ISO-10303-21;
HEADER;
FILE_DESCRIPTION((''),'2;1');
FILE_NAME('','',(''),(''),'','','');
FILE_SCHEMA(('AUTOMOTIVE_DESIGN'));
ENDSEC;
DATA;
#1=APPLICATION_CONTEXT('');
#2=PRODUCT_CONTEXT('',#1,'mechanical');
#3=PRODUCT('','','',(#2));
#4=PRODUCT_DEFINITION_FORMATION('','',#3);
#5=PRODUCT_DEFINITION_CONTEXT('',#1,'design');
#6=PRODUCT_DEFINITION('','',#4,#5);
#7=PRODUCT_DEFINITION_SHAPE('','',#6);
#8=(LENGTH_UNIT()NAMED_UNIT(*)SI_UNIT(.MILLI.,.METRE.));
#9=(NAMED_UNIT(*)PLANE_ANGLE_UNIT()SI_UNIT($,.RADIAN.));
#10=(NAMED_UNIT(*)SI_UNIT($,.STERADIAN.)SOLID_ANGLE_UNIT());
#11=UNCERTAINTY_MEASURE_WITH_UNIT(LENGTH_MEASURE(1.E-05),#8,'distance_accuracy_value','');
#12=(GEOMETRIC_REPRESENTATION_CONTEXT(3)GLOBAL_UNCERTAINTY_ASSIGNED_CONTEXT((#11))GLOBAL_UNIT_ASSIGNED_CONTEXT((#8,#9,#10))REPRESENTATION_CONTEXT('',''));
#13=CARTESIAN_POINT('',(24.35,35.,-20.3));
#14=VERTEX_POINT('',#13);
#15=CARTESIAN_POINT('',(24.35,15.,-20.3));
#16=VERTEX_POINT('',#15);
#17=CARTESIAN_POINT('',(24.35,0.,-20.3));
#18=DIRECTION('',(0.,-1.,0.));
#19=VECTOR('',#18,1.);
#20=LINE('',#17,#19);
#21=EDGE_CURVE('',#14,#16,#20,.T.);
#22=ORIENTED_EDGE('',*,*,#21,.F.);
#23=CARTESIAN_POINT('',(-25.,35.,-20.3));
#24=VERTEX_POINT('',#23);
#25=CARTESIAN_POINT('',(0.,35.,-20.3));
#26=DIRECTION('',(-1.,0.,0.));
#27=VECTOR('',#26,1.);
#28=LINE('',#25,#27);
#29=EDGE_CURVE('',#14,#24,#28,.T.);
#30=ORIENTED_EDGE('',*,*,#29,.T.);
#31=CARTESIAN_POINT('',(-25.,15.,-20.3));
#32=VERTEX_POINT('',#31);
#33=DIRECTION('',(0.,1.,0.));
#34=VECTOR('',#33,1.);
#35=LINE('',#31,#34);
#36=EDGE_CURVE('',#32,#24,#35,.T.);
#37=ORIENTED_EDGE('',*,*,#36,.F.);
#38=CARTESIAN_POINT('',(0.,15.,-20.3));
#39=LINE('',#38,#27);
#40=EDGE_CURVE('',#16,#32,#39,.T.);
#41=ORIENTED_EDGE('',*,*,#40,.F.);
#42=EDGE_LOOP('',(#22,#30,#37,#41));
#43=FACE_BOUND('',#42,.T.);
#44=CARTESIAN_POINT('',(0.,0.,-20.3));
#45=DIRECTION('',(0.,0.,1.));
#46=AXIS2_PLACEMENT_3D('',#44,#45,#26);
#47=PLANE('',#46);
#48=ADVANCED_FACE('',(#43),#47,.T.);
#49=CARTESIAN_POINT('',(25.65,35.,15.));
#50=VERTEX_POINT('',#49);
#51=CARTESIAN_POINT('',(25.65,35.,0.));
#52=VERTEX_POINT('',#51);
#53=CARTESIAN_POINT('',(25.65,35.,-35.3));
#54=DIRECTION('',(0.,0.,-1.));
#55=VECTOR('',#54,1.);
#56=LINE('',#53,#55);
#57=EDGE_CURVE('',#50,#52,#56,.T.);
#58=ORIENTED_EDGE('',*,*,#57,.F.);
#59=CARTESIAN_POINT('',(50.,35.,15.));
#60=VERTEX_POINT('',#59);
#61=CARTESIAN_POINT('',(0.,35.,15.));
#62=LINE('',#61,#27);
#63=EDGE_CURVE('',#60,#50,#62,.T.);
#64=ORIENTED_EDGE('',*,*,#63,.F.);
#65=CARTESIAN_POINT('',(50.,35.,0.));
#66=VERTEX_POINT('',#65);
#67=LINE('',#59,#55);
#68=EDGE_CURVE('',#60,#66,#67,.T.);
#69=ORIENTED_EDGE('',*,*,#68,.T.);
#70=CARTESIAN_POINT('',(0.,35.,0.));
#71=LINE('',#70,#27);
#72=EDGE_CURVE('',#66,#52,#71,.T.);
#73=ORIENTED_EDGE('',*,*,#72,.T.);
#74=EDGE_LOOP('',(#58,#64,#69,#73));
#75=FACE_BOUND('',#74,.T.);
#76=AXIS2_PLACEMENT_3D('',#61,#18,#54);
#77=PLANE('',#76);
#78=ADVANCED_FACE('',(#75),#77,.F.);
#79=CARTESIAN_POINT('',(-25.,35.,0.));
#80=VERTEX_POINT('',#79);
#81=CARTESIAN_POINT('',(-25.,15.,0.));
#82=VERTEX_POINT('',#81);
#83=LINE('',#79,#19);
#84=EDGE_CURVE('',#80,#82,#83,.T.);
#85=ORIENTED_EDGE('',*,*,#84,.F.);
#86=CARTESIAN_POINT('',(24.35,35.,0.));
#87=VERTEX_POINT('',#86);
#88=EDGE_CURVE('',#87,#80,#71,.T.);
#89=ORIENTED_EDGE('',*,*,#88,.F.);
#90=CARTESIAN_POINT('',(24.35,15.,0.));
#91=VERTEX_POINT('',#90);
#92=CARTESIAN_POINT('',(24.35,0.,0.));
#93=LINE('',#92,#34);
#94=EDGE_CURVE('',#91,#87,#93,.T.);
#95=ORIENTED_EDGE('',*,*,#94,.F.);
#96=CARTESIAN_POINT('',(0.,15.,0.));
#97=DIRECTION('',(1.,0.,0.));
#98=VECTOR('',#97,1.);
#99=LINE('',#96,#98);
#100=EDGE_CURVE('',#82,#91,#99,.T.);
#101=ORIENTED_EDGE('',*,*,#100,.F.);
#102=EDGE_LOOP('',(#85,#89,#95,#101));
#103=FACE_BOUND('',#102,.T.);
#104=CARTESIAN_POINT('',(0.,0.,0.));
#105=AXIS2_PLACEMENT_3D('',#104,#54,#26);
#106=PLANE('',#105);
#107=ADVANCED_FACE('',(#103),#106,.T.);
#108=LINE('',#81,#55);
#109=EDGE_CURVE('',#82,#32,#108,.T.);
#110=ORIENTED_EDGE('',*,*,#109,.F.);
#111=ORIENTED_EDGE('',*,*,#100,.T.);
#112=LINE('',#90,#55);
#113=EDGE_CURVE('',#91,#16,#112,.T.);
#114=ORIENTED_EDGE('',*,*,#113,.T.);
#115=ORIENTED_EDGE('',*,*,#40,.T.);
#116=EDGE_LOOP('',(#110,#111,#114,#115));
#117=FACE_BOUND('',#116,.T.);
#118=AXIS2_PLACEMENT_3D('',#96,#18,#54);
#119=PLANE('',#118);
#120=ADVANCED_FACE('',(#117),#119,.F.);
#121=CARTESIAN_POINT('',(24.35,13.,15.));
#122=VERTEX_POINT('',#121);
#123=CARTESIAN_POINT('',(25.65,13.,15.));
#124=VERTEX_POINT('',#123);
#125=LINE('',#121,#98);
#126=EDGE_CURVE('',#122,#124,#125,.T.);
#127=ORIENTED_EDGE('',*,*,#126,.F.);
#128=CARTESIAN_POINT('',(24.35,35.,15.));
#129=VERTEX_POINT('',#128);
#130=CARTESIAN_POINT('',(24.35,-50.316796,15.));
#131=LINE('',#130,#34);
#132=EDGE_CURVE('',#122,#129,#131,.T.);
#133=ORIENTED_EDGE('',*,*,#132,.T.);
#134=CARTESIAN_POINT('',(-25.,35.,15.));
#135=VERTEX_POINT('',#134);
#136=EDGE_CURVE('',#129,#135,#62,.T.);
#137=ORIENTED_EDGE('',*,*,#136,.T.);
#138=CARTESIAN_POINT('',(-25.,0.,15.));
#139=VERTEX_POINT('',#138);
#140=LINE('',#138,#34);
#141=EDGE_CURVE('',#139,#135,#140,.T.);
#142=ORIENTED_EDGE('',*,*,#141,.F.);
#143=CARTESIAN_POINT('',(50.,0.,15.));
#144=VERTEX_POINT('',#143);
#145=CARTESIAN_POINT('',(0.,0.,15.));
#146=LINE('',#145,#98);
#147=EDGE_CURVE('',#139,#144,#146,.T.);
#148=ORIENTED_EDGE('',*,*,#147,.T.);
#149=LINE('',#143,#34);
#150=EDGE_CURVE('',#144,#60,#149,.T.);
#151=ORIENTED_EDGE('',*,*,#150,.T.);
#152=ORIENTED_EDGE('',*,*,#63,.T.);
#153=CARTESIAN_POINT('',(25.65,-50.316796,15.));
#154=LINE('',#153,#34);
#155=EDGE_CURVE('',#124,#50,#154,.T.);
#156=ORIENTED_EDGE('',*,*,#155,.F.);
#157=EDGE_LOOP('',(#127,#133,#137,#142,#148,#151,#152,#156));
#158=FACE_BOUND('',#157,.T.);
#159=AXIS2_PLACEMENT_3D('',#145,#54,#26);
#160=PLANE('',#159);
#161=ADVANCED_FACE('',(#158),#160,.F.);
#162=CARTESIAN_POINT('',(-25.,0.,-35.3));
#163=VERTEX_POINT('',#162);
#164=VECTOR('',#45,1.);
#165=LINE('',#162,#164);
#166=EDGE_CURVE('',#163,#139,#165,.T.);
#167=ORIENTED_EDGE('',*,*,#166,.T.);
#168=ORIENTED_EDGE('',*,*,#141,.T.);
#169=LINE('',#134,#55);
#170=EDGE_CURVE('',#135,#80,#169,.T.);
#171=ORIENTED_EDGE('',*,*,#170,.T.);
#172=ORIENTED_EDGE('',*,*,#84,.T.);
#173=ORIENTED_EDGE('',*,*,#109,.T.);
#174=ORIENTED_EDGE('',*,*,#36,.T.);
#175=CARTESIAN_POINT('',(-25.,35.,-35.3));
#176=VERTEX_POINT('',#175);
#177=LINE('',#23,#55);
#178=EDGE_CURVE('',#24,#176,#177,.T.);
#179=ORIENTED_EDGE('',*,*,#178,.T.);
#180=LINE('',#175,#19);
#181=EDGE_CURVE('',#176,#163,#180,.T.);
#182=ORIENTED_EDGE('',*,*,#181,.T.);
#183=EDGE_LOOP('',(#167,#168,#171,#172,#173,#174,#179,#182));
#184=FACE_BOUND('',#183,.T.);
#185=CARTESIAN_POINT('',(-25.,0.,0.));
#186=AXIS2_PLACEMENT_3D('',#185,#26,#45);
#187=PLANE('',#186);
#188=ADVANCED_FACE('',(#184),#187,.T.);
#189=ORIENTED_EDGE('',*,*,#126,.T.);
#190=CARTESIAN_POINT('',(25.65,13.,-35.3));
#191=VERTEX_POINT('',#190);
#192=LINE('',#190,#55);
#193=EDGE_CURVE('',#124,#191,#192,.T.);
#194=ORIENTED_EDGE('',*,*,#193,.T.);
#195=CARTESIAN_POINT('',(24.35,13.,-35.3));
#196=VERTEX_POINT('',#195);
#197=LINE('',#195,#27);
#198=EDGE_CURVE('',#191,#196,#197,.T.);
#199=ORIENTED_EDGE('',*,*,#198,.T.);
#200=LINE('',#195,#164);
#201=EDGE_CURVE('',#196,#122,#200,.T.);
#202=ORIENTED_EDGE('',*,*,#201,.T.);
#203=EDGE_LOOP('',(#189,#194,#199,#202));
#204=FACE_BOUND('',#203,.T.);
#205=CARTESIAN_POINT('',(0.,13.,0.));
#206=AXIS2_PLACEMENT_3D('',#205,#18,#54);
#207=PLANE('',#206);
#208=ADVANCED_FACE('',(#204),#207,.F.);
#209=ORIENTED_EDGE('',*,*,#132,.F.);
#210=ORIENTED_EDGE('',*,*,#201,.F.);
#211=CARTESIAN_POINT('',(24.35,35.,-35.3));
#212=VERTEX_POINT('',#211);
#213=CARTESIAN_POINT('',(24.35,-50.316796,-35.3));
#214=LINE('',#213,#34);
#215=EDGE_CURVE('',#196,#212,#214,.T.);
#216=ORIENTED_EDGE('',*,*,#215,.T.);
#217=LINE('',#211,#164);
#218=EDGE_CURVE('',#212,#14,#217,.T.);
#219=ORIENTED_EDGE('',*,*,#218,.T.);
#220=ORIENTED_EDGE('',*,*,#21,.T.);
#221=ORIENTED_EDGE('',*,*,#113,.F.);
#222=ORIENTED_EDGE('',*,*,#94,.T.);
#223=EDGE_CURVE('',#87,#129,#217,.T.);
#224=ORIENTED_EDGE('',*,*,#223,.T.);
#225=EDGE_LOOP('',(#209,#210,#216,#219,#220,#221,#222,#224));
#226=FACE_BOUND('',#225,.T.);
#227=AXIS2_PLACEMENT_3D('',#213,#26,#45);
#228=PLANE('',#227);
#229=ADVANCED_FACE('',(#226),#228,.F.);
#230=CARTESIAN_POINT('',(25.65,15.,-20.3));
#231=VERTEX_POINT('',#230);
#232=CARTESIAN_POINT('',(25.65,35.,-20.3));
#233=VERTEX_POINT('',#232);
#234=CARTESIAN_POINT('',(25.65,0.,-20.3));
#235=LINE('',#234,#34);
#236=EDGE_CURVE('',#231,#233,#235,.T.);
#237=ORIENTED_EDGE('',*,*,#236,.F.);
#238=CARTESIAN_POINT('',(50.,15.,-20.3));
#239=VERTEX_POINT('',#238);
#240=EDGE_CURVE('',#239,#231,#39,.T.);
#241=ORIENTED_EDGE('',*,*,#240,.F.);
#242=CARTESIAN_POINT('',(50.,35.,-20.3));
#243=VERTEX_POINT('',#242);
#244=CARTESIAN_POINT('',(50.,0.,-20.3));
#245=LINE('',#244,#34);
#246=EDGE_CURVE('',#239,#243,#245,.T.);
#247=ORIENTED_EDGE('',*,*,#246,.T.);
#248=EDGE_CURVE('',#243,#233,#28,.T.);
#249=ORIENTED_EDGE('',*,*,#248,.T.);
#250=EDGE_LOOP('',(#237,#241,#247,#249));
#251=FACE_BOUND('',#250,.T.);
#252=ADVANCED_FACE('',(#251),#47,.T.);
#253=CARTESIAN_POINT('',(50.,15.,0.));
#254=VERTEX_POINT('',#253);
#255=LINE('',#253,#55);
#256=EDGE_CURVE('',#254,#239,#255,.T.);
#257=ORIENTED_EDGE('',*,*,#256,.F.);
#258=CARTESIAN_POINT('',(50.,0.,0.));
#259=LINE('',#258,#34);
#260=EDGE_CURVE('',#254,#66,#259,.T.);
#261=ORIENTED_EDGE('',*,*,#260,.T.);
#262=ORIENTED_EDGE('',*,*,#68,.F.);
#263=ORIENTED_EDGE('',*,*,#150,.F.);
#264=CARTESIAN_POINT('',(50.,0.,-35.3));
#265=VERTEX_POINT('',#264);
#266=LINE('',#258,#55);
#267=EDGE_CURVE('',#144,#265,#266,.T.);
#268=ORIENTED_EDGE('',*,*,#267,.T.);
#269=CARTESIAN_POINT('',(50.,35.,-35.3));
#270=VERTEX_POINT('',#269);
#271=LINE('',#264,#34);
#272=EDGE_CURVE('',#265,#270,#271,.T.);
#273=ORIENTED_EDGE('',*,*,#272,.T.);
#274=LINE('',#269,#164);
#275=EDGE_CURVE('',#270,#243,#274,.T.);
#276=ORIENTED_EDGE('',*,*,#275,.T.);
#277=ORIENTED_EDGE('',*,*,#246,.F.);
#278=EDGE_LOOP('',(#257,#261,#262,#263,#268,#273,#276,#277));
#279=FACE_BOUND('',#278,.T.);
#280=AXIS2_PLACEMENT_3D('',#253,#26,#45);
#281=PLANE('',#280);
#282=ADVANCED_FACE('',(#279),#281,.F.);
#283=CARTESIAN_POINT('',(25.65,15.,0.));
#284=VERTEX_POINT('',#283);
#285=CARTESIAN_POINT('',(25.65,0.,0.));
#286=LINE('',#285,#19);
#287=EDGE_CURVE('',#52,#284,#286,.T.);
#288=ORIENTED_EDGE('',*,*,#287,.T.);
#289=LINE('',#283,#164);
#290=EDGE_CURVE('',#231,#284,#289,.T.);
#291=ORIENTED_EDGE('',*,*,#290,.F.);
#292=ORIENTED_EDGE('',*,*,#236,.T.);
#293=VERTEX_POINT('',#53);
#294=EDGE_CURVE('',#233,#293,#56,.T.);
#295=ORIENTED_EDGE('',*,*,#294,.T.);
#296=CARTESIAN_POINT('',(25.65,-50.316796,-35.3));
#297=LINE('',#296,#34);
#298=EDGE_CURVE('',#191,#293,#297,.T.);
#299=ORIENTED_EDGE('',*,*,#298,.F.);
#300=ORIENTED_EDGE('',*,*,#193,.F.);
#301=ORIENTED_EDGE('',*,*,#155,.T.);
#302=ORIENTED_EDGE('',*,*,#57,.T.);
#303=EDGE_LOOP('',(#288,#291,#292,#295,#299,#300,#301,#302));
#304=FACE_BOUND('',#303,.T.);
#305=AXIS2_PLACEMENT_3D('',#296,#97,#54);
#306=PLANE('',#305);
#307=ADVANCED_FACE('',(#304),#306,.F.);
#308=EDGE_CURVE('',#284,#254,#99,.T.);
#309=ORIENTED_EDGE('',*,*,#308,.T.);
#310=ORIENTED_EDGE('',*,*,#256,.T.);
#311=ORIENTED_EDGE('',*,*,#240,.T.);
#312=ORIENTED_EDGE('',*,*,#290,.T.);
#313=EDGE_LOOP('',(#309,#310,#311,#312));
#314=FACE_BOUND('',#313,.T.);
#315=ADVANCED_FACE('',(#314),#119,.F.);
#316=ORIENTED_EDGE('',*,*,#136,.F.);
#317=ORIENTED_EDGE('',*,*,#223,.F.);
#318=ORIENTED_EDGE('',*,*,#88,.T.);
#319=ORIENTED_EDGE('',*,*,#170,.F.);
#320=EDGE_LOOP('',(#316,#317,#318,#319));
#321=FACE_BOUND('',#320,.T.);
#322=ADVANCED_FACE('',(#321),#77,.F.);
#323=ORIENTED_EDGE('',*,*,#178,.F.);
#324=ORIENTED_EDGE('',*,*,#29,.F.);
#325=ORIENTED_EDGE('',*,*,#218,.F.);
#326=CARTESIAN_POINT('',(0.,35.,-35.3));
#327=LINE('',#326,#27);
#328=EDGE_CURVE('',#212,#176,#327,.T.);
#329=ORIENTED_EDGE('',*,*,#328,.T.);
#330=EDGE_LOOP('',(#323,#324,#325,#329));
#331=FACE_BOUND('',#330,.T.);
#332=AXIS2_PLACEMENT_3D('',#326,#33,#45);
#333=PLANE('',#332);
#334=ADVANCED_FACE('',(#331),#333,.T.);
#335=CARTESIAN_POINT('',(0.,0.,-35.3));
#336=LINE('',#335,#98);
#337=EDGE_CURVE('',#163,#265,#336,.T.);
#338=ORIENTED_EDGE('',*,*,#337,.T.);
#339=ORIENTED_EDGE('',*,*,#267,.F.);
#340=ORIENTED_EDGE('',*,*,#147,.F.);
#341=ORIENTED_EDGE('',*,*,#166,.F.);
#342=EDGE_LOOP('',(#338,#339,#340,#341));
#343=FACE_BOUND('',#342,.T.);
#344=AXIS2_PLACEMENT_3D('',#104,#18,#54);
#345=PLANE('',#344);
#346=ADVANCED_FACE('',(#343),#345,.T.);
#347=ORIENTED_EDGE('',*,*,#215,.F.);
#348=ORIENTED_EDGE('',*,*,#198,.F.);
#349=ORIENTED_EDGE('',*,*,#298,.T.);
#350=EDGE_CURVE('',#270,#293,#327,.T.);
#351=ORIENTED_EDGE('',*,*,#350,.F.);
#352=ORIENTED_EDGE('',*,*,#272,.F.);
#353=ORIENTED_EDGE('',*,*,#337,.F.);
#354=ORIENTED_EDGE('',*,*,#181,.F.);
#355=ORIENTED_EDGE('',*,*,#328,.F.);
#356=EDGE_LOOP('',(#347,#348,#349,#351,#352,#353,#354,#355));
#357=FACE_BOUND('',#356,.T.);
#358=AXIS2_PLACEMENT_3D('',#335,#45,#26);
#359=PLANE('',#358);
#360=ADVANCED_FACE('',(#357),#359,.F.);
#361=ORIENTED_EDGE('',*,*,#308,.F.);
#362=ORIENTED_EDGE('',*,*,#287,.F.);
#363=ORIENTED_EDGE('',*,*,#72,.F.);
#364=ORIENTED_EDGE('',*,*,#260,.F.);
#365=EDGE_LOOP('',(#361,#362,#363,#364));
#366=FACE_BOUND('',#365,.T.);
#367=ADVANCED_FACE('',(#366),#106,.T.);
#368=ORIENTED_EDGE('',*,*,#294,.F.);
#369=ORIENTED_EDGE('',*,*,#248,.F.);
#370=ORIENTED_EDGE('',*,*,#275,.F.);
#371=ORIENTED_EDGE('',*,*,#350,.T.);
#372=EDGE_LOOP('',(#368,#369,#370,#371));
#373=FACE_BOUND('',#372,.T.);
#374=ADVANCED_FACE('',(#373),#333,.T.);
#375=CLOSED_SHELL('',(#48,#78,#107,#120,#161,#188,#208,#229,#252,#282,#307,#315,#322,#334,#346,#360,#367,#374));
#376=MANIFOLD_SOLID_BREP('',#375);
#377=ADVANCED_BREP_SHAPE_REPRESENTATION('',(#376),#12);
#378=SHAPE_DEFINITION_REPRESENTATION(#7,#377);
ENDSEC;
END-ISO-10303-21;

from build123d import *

# Parameters (mm, degrees)
SKETCH1_W           = 50
SKETCH1_H           = 20.3
BOSS_EXTRUDE1_DEPTH = 15
SKETCH2_W           = 50
SKETCH2_H           = 35
BOSS_EXTRUDE2_DEPTH = 15
SKETCH3_W           = 1.3
SKETCH3_H           = 50.3
CUT_EXTRUDE1_DEPTH  = 22
BOSS_EXTRUDE3_DEPTH = 25


with BuildPart() as part:
    # Sketch1 → Boss-Extrude1 (new body)
    with BuildSketch(Plane(origin=(0, 0, 0), x_dir=(1, 0, 0), z_dir=(0, 1, 0))):
        with Locations((25, 10.15)):
            Rectangle(SKETCH1_W, SKETCH1_H)
    extrude(amount=BOSS_EXTRUDE1_DEPTH)

    # Sketch2 → Boss-Extrude2 (add)
    with BuildSketch(Plane.XY):
        with Locations((25, 17.5)):
            Rectangle(SKETCH2_W, SKETCH2_H)
    boss_extrude2 = extrude(amount=BOSS_EXTRUDE2_DEPTH)

    # Mirror1: Boss-Extrude2 across plane
    add(boss_extrude2.mirror(Plane(origin=(0, 0, -10.15), x_dir=(1, 0, 0), z_dir=(0, 0, -1))))

    # Sketch3 → Cut-Extrude1 (cut)
    with BuildSketch(Plane(origin=(0, 35, 0), x_dir=(1, 0, 0), z_dir=(0, 1, 0))):
        with Locations((25, 10.15)):
            Rectangle(SKETCH3_W, SKETCH3_H)
    extrude(amount=-CUT_EXTRUDE1_DEPTH, mode=Mode.SUBTRACT)

    # Sketch4 → Boss-Extrude3 (add)
    with BuildSketch(Plane.ZY):
        Polygon((-35.3, 0), (15, 0), (15, 35), (0, 35), (0, 15), (-20.3, 15), (-20.3, 35), (-35.3, 35), align=None)
    extrude(amount=BOSS_EXTRUDE3_DEPTH)


solid = part.part
